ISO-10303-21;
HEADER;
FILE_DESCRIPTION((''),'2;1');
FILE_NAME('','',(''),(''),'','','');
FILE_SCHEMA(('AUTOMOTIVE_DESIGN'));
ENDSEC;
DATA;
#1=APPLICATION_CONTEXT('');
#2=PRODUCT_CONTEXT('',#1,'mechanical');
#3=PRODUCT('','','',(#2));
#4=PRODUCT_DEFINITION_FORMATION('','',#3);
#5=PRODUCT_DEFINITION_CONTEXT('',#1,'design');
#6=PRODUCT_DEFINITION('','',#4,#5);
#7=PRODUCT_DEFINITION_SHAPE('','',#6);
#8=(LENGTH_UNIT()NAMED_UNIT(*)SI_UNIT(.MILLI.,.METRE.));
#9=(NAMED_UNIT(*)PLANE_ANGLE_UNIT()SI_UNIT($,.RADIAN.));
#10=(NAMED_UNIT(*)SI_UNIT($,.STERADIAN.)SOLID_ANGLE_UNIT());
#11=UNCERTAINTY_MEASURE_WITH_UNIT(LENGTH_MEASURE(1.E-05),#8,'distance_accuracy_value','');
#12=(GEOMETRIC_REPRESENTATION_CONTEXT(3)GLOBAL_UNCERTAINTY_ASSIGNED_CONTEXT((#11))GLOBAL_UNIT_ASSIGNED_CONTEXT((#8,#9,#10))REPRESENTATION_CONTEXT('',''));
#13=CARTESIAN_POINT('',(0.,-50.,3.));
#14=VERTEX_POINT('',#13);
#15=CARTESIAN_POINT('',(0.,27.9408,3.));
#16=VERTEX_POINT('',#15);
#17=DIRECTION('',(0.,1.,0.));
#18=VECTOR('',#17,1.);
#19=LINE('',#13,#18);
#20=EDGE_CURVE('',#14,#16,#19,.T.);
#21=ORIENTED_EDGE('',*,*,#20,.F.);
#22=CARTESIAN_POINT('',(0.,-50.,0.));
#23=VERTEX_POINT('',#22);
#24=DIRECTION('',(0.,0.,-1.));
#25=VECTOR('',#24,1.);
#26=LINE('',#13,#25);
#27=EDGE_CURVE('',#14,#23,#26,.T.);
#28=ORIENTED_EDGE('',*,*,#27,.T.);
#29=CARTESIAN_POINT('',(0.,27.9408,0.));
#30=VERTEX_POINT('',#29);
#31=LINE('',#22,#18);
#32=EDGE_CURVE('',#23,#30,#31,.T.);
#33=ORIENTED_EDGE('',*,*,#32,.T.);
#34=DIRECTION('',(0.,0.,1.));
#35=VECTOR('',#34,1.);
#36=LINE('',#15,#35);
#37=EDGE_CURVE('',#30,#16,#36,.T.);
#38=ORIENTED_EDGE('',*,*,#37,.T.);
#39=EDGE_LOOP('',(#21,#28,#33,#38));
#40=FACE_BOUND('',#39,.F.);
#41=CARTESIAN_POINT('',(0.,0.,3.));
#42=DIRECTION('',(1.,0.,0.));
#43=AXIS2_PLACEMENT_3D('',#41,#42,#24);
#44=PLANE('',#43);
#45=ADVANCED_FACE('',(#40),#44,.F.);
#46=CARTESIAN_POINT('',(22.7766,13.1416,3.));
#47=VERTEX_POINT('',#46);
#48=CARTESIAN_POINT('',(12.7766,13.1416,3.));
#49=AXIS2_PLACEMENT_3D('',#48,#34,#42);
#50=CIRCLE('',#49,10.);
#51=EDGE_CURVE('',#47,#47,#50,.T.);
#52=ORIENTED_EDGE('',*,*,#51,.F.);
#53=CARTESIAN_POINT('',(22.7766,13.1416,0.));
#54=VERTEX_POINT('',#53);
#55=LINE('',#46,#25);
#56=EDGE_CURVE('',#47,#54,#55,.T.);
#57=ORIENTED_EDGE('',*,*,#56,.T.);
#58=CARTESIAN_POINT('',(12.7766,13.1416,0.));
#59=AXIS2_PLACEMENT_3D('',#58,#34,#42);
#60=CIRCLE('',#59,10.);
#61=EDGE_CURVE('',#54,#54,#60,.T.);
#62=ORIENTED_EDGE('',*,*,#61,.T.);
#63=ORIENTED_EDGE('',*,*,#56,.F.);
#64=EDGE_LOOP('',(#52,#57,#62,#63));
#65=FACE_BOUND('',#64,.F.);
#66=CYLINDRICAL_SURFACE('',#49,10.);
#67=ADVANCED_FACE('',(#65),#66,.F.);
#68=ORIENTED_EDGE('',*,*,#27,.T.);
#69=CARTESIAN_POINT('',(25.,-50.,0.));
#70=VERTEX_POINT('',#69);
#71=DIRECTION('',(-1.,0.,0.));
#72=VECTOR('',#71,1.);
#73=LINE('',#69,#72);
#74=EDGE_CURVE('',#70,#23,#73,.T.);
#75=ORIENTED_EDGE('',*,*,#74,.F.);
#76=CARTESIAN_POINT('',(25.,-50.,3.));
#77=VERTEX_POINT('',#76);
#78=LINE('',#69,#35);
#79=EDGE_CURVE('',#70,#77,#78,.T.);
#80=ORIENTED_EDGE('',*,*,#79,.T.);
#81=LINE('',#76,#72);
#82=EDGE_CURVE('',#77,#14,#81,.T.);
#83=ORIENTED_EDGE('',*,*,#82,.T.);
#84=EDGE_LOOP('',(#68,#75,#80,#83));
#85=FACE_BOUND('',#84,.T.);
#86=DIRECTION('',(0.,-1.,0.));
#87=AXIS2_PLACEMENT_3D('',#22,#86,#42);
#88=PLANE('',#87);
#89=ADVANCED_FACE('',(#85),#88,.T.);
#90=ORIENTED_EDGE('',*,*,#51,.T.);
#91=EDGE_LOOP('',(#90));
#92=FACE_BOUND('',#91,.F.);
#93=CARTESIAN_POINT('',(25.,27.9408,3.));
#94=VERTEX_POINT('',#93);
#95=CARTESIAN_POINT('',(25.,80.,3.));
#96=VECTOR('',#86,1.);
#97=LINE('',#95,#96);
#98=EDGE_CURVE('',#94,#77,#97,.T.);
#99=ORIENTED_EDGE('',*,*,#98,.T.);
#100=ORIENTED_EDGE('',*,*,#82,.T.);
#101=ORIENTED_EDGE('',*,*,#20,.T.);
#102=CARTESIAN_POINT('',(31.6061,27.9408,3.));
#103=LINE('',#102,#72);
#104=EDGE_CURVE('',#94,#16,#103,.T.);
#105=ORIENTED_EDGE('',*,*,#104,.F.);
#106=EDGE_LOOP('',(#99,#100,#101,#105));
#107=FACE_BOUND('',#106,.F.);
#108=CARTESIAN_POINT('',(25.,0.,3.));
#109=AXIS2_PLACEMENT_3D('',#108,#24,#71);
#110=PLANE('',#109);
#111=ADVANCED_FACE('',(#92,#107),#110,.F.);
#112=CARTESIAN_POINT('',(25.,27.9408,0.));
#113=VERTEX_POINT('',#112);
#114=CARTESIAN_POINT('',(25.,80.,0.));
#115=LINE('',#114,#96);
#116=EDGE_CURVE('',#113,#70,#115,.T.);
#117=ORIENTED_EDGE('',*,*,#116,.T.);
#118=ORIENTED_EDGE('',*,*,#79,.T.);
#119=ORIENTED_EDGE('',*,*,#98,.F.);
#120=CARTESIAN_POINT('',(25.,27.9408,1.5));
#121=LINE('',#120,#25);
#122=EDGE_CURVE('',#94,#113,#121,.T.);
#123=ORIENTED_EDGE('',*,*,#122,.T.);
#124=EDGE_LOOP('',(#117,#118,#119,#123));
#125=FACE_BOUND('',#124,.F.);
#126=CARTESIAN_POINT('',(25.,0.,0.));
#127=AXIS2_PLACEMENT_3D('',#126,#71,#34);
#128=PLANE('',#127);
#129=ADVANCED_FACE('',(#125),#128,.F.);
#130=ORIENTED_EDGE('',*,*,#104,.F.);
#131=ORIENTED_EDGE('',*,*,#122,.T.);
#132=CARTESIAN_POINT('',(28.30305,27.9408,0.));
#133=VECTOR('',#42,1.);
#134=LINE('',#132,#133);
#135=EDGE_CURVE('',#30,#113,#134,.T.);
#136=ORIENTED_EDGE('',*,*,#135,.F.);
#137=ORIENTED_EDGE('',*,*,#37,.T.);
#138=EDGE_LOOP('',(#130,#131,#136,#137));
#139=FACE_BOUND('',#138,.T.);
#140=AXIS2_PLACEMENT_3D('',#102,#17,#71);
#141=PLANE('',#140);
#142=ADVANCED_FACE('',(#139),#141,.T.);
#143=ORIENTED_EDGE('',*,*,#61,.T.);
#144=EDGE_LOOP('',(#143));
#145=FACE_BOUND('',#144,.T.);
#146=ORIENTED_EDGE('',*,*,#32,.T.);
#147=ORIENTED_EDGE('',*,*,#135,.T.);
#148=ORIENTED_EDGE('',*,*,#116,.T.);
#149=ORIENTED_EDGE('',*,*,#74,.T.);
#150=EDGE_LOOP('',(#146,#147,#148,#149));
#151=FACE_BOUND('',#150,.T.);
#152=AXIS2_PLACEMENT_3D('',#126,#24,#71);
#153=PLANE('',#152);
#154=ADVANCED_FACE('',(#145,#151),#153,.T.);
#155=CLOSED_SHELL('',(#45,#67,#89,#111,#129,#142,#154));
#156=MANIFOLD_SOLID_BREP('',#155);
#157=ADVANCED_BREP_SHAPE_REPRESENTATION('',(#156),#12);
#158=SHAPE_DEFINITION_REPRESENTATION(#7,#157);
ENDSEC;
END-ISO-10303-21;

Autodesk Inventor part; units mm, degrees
ref_plane "YZ Plane" through (0, 0, 0) normal (1, 0, 0) x (0, 1, 0)
ref_plane "XZ Plane" through (0, 0, 0) normal (0, 1, 0) x (-1, 0, 0)
ref_plane "XY Plane" through (0, 0, 0) normal (0, 0, 1) x (1, 0, 0)
sketch "Sketch1" plane through (0, 0, 0) normal (0, 0, 1) x (1, 0, 0)
  line L0 (0, 0) -> (0, 80)
  line L1 (0, 0) -> (25, 0)
  line L2 (25, 0) -> (25, 80)
  arc A0 (25, 80) -> (0, 80) centre (12.5, 58.3494) ccw
  dimension "d2" = 80
  dimension "d4" = 25
  dimension "d5" = 80
  dimension "d6" = 25
extrude "Extrusion1" add sketch "Sketch1" along normal blind 3
sketch "Sketch2" plane through (0, 0, 3) normal (0, 0, 1) x (1, 0, 0)
  circle A0 centre (12.5, 67.7859) radius 10
  point P0 (0, 0)
  dimension "d9" = 20
extrude "Extrusion2" cut sketch "Sketch2" against normal blind 3
sketch "Sketch3" plane through (0, 0, 0) normal (0, -1, 0) x (1, 0, 0)
  line L0 (25, 0) -> (0, 0) projected
  line L1 (25, 3) -> (0, 3) projected
  line L2 (0, 0) -> (25, 0)
  line L3 (25, 0) -> (25, 3)
  line L4 (25, 3) -> (0, 3)
  line L5 (0, 3) -> (0, 0)
extrude "Extrusion3" add sketch "Sketch3" along normal blind 50
sketch "Sketch4" plane through (0, -50, 0) normal (0, -1, 0) x (1, 0, 0)
  line L0 (0, 0) -> (0, 3) projected
  line L1 (25, 0) -> (25, 3) projected
  line L2 (0, 3) -> (25, 3)
  line L3 (25, 3) -> (25, 0)
  line L4 (25, 0) -> (0, 0)
  line L5 (0, 0) -> (0, 3)
sketch "Sketch5" plane through (0, 0, 3) normal (0, 0, 1) x (1, 0, 0)
  circle A0 centre (12.7766, 13.1416) radius 10
  point P0 (0, 0)
  dimension "d14" = 20
extrude "Extrusion4" cut sketch "Sketch5" against normal blind 50
sketch "Sketch6" plane through (0, 0, 3) normal (0, 0, 1) x (1, 0, 0)
  line L0 (31.6061, 27.9408) -> (-29.0129, 27.9408)
  line L1 (-29.0129, 27.9408) -> (-29.0129, 90.0456)
  line L2 (-29.0129, 90.0456) -> (31.6061, 90.0456)
  line L3 (31.6061, 90.0456) -> (31.6061, 27.9408)
  point P0 (0, 0)
extrude "Extrusion5" cut sketch "Sketch6" against normal blind 50
sketch "Sketch7" plane through (0, 0, 3) normal (0, 0, 1) x (1, 0, 0)
  point P0 (0, 0)
properties part number "roller support"
